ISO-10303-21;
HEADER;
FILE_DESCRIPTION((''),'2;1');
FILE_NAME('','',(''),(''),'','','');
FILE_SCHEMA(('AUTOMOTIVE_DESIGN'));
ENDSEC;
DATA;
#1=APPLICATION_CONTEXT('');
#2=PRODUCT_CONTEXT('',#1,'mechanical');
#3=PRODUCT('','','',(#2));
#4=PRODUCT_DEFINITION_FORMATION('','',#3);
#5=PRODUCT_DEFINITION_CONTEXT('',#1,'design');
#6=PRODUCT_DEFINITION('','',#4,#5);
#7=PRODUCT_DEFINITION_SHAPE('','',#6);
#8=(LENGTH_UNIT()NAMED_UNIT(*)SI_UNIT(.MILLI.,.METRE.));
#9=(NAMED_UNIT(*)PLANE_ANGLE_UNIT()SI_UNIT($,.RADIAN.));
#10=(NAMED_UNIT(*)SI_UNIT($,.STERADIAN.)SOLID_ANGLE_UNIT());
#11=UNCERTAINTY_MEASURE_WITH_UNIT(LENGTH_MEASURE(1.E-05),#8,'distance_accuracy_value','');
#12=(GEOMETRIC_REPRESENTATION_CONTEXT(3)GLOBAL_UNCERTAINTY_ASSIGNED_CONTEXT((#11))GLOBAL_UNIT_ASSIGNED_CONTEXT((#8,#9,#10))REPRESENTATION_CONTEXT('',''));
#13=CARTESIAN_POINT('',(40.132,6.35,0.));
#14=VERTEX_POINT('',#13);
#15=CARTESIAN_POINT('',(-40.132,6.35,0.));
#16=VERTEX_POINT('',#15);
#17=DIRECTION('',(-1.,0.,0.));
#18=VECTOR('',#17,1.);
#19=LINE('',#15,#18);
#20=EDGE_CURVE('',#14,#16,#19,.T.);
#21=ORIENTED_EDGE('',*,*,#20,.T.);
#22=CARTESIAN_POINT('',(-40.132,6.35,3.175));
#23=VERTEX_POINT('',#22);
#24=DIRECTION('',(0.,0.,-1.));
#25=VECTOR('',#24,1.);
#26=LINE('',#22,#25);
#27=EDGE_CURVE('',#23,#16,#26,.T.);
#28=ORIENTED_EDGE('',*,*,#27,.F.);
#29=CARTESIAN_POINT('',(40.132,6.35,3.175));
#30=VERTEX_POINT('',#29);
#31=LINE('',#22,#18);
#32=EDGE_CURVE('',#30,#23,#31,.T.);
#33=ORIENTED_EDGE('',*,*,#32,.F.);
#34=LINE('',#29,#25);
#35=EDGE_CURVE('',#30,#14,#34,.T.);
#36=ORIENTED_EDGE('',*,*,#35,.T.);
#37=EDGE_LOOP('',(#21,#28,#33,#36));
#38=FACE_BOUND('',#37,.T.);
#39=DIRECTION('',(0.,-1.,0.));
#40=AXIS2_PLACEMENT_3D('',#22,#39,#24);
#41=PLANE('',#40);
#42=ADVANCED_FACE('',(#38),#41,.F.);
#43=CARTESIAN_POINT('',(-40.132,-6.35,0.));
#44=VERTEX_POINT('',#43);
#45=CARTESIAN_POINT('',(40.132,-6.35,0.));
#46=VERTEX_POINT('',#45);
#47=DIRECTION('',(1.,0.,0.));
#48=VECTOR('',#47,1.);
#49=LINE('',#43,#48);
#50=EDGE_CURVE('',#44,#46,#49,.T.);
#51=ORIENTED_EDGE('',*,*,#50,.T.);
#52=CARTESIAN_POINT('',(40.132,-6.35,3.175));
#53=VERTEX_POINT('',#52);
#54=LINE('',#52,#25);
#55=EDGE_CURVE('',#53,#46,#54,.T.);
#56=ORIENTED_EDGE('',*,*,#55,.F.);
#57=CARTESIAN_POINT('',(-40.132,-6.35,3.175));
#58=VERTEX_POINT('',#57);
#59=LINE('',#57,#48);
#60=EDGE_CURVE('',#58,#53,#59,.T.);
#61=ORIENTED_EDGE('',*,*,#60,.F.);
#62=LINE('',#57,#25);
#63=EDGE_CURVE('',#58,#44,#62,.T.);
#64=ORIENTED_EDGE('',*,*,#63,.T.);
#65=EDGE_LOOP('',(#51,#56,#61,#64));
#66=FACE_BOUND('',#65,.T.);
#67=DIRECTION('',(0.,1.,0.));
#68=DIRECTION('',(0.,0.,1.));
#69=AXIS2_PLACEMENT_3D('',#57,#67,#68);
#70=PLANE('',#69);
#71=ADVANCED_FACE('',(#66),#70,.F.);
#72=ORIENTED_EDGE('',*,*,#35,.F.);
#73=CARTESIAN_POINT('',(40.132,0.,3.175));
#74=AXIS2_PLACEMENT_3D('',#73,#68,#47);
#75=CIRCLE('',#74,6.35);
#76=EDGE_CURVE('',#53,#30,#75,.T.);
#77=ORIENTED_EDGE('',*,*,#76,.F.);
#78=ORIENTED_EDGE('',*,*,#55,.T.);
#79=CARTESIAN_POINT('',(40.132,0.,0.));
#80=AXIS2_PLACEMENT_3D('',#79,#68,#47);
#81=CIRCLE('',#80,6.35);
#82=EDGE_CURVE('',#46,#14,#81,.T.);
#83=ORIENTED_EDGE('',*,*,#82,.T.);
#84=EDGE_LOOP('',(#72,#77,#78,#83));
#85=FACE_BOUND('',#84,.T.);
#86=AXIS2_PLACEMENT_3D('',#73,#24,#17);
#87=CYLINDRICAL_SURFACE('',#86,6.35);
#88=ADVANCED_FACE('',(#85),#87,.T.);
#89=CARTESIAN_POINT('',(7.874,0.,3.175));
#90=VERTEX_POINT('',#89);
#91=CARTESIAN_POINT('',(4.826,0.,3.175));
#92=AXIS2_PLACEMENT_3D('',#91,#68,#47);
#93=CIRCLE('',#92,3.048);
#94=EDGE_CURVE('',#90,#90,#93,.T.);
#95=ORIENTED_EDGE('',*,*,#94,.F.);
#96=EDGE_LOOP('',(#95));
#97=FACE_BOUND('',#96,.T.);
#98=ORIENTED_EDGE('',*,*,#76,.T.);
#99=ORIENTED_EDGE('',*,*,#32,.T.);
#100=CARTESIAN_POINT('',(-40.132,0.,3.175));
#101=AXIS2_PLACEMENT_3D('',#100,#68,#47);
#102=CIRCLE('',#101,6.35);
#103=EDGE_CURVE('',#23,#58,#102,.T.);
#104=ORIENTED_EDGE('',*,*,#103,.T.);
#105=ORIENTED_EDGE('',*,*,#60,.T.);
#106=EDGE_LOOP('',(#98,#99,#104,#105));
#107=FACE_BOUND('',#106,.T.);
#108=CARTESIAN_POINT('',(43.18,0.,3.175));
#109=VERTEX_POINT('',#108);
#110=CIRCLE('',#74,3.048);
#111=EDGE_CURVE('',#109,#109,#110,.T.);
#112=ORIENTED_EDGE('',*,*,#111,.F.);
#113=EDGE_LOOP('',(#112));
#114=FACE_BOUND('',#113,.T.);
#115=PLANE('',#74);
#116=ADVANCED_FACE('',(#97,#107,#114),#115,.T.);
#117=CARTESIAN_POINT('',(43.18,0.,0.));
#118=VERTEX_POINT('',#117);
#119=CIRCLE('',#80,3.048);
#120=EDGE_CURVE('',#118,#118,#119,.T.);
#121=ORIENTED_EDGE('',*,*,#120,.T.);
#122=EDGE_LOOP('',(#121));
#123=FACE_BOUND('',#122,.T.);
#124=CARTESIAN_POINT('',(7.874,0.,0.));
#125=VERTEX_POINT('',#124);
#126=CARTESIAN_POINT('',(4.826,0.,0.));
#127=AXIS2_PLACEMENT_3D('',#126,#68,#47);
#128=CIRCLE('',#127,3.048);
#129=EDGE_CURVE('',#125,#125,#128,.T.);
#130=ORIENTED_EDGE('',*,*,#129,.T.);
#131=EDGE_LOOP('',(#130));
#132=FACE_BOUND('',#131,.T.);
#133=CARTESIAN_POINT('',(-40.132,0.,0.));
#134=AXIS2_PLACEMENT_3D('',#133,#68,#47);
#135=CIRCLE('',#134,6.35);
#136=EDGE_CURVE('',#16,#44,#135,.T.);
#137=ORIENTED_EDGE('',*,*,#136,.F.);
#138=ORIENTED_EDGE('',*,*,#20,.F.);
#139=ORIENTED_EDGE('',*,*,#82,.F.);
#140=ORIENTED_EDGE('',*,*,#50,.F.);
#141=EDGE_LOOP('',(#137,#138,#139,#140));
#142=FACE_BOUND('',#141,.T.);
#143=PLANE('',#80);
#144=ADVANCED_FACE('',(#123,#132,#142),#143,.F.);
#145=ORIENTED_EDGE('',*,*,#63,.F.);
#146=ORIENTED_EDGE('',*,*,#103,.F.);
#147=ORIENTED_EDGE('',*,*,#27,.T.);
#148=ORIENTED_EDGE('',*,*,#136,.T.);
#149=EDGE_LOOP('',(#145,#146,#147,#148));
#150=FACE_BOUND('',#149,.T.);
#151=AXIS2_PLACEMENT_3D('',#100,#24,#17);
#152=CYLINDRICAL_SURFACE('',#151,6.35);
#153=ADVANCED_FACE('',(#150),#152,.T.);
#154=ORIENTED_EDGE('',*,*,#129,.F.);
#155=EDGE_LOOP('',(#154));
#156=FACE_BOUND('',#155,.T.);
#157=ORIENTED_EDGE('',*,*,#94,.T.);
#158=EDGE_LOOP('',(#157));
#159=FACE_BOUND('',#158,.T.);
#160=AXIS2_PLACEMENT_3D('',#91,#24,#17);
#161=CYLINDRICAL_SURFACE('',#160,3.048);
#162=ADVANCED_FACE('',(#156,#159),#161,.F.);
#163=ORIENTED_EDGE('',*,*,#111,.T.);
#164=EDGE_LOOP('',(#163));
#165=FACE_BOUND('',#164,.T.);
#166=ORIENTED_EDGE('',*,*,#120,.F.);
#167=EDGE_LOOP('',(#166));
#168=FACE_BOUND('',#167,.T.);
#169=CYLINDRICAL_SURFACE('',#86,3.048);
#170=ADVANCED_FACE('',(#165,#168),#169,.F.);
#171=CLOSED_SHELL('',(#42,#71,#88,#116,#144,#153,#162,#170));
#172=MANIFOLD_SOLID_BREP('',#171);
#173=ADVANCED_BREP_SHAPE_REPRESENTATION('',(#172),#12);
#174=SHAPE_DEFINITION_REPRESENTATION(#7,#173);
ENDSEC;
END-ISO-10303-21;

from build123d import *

# Parameters (mm, degrees)
SKETCH1_R           = 3.048
BOSS_EXTRUDE1_DEPTH = 3.175


with BuildPart() as part:
    # Sketch1 → Boss-Extrude1 (new body)
    with BuildSketch(Plane.XY):
        with BuildLine():
            Line((-40.132, -6.35), (40.132, -6.35))
            ThreePointArc((40.132, -6.35), (46.482, 0), (40.132, 6.35))
            Line((40.132, 6.35), (-40.132, 6.35))
            ThreePointArc((-40.132, 6.35), (-46.482, 0), (-40.132, -6.35))
        make_face()
        with Locations((40.132, 0)):
            Circle(SKETCH1_R, mode=Mode.SUBTRACT)
        with Locations((4.826, 0)):
            Circle(SKETCH1_R, mode=Mode.SUBTRACT)
    extrude(amount=BOSS_EXTRUDE1_DEPTH)


solid = part.part
